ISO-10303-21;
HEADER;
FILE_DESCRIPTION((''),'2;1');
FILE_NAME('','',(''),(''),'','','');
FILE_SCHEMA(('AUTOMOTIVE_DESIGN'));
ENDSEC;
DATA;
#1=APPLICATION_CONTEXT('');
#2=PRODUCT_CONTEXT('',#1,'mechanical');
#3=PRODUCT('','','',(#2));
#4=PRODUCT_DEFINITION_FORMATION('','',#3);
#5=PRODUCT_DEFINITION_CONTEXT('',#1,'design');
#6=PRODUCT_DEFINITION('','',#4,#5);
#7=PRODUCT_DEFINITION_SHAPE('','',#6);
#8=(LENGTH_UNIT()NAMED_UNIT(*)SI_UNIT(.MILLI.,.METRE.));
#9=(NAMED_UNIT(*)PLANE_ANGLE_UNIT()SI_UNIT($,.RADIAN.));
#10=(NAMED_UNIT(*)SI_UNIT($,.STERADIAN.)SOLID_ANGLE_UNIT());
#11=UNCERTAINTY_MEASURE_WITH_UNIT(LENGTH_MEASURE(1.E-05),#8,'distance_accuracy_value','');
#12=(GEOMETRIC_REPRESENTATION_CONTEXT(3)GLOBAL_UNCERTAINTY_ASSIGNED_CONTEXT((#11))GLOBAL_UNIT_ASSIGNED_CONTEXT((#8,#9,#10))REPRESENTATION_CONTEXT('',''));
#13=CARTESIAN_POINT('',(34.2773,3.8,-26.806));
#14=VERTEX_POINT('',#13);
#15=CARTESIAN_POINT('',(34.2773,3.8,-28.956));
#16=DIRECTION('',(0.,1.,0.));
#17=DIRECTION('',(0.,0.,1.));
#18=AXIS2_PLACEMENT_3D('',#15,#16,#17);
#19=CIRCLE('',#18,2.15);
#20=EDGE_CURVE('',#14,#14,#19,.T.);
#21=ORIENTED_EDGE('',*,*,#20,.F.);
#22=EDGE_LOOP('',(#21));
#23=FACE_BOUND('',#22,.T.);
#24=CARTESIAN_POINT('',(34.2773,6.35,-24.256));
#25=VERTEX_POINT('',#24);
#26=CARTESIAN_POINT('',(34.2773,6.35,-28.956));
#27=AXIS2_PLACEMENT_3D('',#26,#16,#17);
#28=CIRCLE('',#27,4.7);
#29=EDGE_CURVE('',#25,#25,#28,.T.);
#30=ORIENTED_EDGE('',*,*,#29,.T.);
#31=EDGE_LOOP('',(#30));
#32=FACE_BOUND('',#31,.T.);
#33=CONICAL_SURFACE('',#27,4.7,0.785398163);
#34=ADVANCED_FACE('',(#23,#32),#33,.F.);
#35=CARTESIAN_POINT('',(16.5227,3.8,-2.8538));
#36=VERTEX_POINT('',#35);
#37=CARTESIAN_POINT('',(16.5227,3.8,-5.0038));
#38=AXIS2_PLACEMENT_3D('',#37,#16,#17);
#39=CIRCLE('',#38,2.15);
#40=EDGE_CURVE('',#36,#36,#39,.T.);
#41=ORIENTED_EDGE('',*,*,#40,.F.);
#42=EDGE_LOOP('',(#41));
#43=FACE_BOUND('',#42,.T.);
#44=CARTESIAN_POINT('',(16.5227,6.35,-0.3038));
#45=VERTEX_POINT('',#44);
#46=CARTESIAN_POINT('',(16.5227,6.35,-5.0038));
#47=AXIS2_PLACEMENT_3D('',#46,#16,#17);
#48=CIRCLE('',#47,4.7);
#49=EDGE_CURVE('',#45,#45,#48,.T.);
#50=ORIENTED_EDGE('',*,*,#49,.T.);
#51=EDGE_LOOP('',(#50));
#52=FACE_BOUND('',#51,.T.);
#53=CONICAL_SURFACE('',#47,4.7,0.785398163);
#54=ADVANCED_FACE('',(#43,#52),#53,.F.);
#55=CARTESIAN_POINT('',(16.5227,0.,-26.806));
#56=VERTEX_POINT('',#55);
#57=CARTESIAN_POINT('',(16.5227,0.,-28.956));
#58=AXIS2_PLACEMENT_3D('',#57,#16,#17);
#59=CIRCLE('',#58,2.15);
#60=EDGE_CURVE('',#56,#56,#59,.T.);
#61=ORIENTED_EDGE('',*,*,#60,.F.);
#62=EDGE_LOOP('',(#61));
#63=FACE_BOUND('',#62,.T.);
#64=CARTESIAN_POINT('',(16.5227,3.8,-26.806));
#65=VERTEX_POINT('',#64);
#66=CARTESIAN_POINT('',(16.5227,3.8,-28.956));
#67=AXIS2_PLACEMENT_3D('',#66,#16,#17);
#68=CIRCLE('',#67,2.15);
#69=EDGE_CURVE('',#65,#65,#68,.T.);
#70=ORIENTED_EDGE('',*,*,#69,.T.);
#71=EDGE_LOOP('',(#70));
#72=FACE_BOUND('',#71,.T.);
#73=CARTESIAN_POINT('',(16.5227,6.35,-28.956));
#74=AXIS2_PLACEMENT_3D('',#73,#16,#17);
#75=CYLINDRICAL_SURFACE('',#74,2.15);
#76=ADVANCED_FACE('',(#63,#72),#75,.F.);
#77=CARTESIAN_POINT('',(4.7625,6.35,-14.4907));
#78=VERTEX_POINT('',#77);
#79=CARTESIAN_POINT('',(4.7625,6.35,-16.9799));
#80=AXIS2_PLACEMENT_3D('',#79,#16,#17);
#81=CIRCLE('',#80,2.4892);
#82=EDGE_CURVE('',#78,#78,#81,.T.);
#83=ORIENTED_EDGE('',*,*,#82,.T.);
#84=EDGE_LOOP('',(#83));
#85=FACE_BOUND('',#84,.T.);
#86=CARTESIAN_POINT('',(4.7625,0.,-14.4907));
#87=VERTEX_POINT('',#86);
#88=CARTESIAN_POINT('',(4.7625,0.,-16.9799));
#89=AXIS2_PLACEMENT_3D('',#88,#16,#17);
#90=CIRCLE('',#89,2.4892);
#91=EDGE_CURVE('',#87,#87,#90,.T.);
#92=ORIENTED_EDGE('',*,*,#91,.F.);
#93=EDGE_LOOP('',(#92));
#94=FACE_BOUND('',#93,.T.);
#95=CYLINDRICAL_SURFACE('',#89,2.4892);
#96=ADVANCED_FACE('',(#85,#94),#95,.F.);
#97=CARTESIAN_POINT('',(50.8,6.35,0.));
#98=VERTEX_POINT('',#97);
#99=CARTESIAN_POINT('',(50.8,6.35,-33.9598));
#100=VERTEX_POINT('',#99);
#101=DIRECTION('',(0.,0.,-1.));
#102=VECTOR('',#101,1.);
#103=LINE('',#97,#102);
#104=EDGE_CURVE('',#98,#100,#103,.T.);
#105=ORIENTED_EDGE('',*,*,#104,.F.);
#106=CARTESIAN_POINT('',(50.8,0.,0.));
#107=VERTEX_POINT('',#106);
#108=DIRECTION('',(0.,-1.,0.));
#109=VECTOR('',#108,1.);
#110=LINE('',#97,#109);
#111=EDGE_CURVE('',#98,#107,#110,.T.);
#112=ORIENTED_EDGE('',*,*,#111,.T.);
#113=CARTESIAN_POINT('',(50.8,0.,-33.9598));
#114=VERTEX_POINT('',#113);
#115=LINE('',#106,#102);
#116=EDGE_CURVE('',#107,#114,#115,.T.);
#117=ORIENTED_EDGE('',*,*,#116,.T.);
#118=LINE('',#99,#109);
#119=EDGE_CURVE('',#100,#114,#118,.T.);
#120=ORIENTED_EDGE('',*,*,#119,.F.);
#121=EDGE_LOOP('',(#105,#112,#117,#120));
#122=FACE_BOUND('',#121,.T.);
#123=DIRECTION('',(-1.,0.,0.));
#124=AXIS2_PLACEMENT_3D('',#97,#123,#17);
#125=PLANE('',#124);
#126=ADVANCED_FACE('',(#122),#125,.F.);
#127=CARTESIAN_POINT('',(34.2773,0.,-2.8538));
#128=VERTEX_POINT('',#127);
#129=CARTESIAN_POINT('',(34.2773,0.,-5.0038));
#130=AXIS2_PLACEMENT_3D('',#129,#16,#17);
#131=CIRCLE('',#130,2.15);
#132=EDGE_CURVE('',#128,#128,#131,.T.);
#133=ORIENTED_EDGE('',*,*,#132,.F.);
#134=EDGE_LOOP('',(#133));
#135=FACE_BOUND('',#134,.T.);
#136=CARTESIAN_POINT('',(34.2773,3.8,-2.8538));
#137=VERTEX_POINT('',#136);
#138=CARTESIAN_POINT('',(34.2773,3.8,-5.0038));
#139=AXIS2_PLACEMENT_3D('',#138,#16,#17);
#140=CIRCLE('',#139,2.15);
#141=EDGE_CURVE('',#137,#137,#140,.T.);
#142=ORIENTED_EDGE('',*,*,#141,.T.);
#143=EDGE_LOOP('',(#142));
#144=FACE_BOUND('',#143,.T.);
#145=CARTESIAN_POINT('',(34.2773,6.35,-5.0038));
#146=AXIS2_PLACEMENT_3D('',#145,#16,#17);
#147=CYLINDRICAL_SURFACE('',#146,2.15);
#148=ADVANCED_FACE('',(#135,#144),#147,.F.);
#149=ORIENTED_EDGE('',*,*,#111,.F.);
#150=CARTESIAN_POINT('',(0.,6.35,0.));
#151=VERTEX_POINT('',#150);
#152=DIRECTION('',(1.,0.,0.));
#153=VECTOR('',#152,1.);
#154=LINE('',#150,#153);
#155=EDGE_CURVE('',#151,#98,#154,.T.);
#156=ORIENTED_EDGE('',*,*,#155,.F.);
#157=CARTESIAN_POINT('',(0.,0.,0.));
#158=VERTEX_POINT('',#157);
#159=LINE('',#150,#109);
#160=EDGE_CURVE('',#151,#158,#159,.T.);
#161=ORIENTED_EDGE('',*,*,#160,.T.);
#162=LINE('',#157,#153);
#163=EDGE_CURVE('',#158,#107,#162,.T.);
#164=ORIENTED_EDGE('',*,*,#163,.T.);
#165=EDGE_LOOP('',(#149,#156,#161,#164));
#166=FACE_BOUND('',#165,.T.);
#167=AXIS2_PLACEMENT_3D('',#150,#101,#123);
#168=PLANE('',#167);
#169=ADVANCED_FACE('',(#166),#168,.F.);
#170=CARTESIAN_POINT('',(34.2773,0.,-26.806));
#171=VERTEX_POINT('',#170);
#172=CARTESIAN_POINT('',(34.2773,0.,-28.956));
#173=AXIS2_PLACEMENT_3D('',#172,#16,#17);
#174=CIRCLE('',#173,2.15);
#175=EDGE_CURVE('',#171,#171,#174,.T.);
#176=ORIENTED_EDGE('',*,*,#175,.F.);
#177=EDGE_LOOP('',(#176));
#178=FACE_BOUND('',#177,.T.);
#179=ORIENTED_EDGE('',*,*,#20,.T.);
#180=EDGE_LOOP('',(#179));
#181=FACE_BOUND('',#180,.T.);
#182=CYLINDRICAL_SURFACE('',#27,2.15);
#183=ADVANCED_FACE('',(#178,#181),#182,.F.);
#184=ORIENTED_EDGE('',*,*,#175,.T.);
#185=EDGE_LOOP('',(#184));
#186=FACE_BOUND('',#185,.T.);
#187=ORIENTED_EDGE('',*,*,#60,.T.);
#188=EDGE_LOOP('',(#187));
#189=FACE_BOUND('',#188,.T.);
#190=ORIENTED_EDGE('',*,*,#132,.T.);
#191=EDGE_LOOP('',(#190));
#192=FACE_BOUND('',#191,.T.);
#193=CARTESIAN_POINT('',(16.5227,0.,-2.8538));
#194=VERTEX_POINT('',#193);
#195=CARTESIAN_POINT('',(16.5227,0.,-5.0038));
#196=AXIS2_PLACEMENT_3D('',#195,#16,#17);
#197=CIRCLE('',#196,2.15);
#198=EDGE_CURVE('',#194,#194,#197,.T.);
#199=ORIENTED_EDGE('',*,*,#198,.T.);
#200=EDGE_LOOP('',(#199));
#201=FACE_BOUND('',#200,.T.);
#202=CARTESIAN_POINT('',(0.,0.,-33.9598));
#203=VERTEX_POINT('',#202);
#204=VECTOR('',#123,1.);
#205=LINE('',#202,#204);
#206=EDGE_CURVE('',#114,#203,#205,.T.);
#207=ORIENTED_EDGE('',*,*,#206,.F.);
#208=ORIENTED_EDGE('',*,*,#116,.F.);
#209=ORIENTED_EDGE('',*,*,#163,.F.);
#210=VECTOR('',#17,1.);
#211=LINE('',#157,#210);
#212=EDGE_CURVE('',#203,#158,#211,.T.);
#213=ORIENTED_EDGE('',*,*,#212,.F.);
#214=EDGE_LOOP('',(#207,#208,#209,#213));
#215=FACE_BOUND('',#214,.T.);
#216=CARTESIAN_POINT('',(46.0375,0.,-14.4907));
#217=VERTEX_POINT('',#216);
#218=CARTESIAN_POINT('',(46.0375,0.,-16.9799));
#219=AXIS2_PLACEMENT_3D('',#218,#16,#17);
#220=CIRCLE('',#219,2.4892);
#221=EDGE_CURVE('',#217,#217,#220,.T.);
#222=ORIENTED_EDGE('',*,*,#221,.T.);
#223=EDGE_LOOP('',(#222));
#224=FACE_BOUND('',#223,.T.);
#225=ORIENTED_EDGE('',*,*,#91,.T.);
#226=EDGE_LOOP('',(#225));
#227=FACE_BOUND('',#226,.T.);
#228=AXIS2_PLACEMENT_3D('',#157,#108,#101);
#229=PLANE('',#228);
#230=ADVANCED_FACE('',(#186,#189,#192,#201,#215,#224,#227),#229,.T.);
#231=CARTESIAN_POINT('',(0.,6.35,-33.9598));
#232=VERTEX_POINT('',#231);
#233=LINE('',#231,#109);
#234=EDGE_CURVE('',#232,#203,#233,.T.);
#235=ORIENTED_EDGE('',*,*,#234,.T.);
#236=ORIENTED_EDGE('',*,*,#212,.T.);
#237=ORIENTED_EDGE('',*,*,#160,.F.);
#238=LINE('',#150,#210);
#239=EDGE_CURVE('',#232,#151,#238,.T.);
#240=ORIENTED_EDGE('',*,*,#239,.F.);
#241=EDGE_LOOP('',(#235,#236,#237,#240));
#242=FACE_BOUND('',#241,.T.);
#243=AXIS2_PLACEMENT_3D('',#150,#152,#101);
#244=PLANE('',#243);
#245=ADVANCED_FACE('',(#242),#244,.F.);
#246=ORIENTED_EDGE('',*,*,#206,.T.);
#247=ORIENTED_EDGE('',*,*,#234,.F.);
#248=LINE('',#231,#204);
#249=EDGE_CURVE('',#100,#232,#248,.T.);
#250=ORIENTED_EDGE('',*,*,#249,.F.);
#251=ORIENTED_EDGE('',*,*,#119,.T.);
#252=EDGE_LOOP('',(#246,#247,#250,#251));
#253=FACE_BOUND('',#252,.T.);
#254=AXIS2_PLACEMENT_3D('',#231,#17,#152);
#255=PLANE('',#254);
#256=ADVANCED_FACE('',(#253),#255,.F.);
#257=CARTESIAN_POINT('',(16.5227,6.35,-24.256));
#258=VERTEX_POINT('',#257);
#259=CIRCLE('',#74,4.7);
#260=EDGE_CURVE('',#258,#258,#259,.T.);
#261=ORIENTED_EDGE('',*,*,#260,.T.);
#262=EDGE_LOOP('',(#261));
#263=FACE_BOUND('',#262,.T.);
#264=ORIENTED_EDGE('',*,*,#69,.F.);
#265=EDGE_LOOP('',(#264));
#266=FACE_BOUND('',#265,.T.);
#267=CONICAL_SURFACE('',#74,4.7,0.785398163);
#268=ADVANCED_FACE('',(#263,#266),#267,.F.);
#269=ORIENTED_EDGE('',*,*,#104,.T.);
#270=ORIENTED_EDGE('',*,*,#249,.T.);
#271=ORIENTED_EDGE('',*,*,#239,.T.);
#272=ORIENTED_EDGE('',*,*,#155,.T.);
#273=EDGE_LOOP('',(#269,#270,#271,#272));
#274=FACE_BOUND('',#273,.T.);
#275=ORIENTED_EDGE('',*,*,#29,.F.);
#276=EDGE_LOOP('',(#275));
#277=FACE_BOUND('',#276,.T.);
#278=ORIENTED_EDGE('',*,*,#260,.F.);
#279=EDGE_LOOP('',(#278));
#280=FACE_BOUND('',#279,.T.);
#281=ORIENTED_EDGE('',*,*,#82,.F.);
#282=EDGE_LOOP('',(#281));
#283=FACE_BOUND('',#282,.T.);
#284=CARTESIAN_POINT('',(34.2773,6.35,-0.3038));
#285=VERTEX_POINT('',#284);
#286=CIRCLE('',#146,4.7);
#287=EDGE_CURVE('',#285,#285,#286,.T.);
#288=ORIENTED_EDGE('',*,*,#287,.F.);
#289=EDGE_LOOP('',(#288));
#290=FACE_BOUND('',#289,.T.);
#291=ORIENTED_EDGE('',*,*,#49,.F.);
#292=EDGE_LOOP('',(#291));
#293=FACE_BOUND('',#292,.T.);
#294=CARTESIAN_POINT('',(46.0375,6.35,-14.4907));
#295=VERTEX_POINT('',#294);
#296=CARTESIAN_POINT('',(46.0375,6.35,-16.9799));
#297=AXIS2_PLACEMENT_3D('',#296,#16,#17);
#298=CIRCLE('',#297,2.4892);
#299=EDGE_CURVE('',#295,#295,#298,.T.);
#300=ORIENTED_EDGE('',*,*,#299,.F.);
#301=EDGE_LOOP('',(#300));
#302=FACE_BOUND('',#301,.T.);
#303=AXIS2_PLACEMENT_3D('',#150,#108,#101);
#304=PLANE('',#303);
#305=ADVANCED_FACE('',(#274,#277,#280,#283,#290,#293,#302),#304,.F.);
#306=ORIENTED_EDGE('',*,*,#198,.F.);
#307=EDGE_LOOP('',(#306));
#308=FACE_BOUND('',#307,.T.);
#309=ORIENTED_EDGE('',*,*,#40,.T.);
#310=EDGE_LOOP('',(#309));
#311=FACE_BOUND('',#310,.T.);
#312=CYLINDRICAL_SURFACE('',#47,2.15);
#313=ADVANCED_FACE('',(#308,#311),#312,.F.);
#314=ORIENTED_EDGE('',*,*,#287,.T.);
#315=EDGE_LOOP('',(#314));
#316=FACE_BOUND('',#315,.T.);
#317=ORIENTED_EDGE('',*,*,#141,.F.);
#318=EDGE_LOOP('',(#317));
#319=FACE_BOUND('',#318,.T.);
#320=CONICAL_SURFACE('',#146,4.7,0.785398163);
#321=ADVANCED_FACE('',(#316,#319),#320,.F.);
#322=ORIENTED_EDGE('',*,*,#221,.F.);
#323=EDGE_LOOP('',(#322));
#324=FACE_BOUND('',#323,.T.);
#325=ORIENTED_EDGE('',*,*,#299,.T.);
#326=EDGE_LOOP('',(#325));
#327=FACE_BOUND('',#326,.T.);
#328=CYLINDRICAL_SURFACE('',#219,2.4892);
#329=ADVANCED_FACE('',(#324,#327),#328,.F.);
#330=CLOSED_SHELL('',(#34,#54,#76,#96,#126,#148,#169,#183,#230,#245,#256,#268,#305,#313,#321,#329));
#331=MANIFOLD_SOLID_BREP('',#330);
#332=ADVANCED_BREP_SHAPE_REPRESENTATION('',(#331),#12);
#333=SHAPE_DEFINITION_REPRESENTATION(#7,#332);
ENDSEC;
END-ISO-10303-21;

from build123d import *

# Parameters (mm, degrees)
SKETCH1_W                                       = 50.8
SKETCH1_H                                       = 33.9598
BOSS_EXTRUDE1_DEPTH                             = 6.35
SKETCH2_R                                       = 1.905
THROUGH_TO_BEARING_BLOCK_DEPTH                  = 62.434766346
SKETCH3_R                                       = 2.4892
THROUGH_TO_TNUT_DEPTH                           = 62.434766346
CSK_FOR_M4_FLAT_HEAD_MACHINE_SCREW1_D           = 4.3
CSK_FOR_M4_FLAT_HEAD_MACHINE_SCREW1_CSINK_D     = 9.4
CSK_FOR_M4_FLAT_HEAD_MACHINE_SCREW1_CSINK_ANGLE = 90


with BuildPart() as part:
    # Sketch1 → Boss-Extrude1 (new body)
    with BuildSketch(Plane(origin=(0, 0, 0), x_dir=(1, 0, 0), z_dir=(0, 1, 0))):
        with Locations((25.4, 16.9799)):
            Rectangle(SKETCH1_W, SKETCH1_H)
    extrude(amount=BOSS_EXTRUDE1_DEPTH)

    # Sketch2 → through to bearing block (cut, through all)
    with BuildSketch(Plane(origin=(0, 6.35, 0), x_dir=(1, 0, 0), z_dir=(0, 1, 0))):
        with Locations(Location((16.5227, 28.956, 0), (0, 0, 270))):
            Circle(SKETCH2_R)
        with Locations(Location((16.5227, 5.0038, 0), (0, 0, 270))):
            Circle(SKETCH2_R)
        with Locations(Location((34.2773, 28.956, 0), (0, 0, 270))):
            Circle(SKETCH2_R)
        with Locations(Location((34.2773, 5.0038, 0), (0, 0, 270))):
            Circle(SKETCH2_R)
    extrude(amount=-THROUGH_TO_BEARING_BLOCK_DEPTH, mode=Mode.SUBTRACT)

    # Sketch3 → through to tnut (cut, through all)
    with BuildSketch(Plane(origin=(0, 6.35, 0), x_dir=(1, 0, 0), z_dir=(0, 1, 0))):
        with Locations(Location((4.7625, 16.9799, 0), (0, 0, 270))):
            Circle(SKETCH3_R)
        with Locations(Location((46.0375, 16.9799, 0), (0, 0, 270))):
            Circle(SKETCH3_R)
    extrude(amount=-THROUGH_TO_TNUT_DEPTH, mode=Mode.SUBTRACT)

    # CSK for M4 Flat Head Machine Screw1 (through all)
    with Locations(Plane(origin=(0, 6.35, 0), x_dir=(1, 0, 0), z_dir=(0, 1, 0))):
        with Locations((16.5227, 28.956), (16.5227, 5.0038), (34.2773, 5.0038), (34.2773, 28.956)):
            CounterSinkHole(CSK_FOR_M4_FLAT_HEAD_MACHINE_SCREW1_D / 2, CSK_FOR_M4_FLAT_HEAD_MACHINE_SCREW1_CSINK_D / 2, counter_sink_angle=CSK_FOR_M4_FLAT_HEAD_MACHINE_SCREW1_CSINK_ANGLE)


solid = part.part
